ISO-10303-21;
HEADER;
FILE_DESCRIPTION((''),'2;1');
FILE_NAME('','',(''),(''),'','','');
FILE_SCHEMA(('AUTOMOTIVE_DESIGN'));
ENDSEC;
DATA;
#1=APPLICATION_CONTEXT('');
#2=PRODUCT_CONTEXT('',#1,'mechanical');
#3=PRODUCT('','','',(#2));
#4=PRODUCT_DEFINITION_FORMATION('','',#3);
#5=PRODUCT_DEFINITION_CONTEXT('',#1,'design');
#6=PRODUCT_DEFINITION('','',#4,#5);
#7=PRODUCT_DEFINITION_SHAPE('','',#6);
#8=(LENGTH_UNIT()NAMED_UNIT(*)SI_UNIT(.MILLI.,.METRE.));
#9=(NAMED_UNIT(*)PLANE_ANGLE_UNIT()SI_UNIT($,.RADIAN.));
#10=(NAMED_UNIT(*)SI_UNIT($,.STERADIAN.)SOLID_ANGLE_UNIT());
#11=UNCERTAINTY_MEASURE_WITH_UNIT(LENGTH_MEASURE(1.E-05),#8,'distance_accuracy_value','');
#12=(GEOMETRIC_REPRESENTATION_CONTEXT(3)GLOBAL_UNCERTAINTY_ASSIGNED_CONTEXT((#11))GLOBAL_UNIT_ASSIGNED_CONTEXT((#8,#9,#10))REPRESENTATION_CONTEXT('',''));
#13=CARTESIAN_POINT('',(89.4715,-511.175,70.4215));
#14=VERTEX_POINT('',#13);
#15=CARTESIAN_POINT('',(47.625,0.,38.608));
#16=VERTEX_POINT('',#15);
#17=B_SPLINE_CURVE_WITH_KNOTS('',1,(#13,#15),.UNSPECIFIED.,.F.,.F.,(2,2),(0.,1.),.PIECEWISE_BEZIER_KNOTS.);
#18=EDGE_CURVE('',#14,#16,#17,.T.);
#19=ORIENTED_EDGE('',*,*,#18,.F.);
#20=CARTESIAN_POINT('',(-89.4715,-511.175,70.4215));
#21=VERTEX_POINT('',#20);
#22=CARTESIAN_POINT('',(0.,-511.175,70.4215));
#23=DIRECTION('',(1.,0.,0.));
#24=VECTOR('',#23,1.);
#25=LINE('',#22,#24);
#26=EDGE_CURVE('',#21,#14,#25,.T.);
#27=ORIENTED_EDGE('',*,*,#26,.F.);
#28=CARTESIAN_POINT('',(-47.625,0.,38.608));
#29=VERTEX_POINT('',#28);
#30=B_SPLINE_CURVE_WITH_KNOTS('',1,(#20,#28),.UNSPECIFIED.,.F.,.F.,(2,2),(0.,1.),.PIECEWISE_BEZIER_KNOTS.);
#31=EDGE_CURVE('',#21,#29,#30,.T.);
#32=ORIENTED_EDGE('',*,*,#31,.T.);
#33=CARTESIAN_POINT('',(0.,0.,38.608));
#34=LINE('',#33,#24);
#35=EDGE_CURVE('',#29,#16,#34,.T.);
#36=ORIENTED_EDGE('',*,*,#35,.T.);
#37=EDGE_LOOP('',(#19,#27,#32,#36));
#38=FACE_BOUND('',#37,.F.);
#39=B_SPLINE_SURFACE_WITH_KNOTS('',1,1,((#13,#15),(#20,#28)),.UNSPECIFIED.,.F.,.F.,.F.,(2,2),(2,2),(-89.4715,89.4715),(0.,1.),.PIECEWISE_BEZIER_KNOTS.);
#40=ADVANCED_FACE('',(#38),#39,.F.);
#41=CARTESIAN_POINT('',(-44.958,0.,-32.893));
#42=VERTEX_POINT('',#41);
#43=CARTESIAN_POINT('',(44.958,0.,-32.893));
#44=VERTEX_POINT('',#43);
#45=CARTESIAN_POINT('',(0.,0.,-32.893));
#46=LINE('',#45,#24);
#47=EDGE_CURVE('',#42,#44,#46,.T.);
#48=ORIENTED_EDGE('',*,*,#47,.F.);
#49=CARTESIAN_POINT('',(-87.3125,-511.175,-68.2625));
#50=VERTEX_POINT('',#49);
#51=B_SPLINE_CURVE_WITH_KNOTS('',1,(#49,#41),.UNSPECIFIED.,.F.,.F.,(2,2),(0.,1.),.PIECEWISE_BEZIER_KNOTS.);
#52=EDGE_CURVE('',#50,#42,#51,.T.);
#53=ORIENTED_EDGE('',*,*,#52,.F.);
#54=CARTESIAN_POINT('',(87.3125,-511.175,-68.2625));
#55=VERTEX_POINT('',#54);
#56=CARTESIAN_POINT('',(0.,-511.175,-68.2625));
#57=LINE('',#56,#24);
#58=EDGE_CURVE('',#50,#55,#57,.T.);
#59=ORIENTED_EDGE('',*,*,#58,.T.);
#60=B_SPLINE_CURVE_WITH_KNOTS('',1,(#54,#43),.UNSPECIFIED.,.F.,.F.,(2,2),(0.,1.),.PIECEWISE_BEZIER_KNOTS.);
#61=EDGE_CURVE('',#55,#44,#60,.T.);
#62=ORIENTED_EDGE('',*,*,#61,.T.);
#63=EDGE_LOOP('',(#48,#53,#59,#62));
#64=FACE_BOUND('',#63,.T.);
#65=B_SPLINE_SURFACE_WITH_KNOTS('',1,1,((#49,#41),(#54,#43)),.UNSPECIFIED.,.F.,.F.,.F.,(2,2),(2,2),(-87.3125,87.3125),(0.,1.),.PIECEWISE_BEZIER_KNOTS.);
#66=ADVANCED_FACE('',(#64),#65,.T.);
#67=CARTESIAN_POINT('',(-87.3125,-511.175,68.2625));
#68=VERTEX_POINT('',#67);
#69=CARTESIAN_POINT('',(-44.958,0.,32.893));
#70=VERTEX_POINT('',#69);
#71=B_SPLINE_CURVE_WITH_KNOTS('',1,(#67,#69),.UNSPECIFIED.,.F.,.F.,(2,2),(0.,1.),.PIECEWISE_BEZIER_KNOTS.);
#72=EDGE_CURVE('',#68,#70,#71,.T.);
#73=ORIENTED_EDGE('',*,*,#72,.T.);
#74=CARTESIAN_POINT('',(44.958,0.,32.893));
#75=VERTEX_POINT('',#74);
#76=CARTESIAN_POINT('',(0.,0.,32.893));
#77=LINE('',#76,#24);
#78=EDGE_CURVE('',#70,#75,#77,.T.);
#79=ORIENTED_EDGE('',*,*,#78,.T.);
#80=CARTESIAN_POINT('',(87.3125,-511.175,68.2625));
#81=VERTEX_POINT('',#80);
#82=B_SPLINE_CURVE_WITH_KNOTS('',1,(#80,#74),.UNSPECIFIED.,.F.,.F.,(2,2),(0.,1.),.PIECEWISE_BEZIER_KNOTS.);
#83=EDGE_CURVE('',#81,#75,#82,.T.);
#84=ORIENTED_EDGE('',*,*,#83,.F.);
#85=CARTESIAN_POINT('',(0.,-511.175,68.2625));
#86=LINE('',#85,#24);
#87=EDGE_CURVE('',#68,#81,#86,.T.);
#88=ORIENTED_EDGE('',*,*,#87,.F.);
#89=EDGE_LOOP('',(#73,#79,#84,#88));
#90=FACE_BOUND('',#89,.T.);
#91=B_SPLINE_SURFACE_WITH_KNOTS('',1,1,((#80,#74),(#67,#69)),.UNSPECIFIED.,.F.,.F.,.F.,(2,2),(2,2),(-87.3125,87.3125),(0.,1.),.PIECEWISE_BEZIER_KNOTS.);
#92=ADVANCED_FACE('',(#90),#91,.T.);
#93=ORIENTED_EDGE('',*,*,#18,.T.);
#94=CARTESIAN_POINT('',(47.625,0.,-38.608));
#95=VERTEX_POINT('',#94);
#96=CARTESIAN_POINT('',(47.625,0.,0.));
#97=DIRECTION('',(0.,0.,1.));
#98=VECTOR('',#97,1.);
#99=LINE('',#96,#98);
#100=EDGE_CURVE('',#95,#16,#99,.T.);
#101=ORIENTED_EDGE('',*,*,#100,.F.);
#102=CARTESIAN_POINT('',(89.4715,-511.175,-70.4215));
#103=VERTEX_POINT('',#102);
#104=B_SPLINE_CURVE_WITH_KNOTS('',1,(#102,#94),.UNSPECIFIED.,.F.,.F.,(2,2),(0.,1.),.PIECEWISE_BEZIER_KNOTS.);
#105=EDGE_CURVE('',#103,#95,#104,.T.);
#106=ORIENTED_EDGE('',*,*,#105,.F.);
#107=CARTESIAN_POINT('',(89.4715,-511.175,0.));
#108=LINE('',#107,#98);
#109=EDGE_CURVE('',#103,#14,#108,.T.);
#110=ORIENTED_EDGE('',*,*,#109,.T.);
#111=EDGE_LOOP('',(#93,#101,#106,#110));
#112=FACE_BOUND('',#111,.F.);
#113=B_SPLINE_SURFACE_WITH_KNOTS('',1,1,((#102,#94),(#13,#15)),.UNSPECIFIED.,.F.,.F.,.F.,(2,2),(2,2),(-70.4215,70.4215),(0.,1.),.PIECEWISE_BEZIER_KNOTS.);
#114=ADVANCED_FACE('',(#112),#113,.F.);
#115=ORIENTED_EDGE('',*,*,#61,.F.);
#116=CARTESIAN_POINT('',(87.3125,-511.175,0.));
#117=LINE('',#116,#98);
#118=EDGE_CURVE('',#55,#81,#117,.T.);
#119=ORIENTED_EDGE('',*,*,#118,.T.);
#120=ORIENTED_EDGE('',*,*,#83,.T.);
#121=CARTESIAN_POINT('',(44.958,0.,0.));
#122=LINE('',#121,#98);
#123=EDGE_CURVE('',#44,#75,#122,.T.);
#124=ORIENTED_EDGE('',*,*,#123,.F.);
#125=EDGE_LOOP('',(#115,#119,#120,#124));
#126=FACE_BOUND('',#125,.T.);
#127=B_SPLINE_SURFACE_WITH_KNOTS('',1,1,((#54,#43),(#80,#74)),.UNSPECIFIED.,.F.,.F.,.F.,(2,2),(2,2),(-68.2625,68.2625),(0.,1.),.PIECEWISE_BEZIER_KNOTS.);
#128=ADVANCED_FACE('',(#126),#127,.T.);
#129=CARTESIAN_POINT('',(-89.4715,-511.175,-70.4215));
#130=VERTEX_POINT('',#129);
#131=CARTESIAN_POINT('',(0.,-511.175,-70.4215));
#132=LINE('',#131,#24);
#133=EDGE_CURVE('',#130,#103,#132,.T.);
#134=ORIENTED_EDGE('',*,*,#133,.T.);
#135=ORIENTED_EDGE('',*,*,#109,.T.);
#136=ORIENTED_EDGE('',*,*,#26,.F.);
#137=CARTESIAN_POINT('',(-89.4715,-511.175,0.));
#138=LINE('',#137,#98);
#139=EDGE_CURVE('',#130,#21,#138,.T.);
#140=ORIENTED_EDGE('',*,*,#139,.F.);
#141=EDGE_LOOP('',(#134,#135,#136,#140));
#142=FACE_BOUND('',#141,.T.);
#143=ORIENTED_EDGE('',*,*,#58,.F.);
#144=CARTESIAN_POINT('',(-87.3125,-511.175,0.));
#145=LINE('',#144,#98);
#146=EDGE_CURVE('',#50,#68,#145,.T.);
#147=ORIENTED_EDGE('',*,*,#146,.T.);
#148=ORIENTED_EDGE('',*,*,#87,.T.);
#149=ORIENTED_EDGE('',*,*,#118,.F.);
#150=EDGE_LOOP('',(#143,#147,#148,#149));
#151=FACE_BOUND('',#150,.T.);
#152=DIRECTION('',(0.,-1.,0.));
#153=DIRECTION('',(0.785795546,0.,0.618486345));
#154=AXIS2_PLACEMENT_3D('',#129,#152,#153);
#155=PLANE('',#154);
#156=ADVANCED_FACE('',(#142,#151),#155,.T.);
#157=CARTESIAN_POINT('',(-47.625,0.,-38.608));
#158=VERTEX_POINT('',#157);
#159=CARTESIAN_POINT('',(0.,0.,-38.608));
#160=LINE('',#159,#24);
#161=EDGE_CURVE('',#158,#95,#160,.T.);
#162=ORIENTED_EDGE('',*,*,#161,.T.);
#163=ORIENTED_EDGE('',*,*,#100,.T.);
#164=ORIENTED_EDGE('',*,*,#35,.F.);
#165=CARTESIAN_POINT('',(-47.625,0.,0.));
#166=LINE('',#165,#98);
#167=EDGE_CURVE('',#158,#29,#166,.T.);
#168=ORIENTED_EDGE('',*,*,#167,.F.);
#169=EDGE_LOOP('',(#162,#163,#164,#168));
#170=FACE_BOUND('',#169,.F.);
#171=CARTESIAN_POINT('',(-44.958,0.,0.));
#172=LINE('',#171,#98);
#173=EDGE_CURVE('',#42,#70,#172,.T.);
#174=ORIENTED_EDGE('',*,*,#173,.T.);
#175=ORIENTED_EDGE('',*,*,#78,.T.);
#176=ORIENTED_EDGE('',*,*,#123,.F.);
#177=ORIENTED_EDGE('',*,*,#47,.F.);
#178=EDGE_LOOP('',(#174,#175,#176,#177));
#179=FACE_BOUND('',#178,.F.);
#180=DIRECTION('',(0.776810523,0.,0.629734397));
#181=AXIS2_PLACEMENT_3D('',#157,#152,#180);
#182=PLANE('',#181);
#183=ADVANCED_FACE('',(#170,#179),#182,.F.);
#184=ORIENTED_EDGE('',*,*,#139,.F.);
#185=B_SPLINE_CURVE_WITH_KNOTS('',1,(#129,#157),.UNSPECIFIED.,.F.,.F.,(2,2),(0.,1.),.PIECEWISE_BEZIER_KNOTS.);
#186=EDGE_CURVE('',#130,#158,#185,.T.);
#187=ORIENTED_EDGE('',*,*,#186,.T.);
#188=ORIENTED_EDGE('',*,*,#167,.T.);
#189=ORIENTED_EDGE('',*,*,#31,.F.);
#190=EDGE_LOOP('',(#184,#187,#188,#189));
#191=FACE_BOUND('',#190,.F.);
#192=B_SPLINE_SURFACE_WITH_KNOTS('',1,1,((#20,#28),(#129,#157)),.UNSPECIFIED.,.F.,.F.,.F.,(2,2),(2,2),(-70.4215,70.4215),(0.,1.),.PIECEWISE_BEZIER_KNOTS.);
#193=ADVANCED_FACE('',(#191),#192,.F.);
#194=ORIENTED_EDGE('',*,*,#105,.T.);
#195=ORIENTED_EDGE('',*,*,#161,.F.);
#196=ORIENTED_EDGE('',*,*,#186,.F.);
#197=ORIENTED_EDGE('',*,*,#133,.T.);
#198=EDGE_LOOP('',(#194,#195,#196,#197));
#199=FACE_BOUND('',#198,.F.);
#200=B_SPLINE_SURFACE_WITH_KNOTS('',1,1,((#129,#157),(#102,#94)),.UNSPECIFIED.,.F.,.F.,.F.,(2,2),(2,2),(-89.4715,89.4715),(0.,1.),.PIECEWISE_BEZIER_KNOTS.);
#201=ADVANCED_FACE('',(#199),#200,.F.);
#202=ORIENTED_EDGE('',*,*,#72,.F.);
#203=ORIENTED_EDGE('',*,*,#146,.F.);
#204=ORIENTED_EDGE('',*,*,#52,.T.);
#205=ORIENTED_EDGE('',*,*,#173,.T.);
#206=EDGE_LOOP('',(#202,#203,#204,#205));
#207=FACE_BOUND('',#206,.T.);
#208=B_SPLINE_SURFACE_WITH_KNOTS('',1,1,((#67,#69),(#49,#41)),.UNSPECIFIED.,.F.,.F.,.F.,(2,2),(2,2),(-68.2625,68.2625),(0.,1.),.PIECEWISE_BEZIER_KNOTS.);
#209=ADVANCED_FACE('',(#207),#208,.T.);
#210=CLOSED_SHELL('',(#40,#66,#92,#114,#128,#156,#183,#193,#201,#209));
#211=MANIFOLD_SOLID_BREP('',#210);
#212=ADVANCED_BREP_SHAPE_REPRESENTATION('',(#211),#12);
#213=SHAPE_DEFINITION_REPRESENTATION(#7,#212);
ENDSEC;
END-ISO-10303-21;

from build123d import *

# Parameters (mm, degrees)
F0_W = 89.916
F0_H = 65.786
F2_W = 174.625
F2_H = 136.525
F5_W = 178.943
F5_H = 140.843
F4_W = 95.25
F4_H = 77.216


with BuildPart() as f3:
    # F0 (on Front) → F3 section 0
    with BuildSketch(Plane.XZ):
        Rectangle(F0_W, F0_H)
    # F2 (on offset) → F3 section 1
    with BuildSketch(Plane.XZ.offset(511.175)):
        Rectangle(F2_W, F2_H)
    loft()

    # F5 (on offset) → F6 section 0
    with BuildSketch(Plane.XZ.offset(511.175)):
        Rectangle(F5_W, F5_H)
    # F4 (on Front) → F6 section 1
    with BuildSketch(Plane.XZ):
        Rectangle(F4_W, F4_H)
    loft()

    # F2 (on offset) → F7 section 0
    with BuildSketch(Plane.XZ.offset(511.175)):
        Rectangle(F2_W, F2_H)
    # F0 (on Front) → F7 section 1
    with BuildSketch(Plane.XZ):
        Rectangle(F0_W, F0_H)
    loft(mode=Mode.SUBTRACT)


solid = f3.part
